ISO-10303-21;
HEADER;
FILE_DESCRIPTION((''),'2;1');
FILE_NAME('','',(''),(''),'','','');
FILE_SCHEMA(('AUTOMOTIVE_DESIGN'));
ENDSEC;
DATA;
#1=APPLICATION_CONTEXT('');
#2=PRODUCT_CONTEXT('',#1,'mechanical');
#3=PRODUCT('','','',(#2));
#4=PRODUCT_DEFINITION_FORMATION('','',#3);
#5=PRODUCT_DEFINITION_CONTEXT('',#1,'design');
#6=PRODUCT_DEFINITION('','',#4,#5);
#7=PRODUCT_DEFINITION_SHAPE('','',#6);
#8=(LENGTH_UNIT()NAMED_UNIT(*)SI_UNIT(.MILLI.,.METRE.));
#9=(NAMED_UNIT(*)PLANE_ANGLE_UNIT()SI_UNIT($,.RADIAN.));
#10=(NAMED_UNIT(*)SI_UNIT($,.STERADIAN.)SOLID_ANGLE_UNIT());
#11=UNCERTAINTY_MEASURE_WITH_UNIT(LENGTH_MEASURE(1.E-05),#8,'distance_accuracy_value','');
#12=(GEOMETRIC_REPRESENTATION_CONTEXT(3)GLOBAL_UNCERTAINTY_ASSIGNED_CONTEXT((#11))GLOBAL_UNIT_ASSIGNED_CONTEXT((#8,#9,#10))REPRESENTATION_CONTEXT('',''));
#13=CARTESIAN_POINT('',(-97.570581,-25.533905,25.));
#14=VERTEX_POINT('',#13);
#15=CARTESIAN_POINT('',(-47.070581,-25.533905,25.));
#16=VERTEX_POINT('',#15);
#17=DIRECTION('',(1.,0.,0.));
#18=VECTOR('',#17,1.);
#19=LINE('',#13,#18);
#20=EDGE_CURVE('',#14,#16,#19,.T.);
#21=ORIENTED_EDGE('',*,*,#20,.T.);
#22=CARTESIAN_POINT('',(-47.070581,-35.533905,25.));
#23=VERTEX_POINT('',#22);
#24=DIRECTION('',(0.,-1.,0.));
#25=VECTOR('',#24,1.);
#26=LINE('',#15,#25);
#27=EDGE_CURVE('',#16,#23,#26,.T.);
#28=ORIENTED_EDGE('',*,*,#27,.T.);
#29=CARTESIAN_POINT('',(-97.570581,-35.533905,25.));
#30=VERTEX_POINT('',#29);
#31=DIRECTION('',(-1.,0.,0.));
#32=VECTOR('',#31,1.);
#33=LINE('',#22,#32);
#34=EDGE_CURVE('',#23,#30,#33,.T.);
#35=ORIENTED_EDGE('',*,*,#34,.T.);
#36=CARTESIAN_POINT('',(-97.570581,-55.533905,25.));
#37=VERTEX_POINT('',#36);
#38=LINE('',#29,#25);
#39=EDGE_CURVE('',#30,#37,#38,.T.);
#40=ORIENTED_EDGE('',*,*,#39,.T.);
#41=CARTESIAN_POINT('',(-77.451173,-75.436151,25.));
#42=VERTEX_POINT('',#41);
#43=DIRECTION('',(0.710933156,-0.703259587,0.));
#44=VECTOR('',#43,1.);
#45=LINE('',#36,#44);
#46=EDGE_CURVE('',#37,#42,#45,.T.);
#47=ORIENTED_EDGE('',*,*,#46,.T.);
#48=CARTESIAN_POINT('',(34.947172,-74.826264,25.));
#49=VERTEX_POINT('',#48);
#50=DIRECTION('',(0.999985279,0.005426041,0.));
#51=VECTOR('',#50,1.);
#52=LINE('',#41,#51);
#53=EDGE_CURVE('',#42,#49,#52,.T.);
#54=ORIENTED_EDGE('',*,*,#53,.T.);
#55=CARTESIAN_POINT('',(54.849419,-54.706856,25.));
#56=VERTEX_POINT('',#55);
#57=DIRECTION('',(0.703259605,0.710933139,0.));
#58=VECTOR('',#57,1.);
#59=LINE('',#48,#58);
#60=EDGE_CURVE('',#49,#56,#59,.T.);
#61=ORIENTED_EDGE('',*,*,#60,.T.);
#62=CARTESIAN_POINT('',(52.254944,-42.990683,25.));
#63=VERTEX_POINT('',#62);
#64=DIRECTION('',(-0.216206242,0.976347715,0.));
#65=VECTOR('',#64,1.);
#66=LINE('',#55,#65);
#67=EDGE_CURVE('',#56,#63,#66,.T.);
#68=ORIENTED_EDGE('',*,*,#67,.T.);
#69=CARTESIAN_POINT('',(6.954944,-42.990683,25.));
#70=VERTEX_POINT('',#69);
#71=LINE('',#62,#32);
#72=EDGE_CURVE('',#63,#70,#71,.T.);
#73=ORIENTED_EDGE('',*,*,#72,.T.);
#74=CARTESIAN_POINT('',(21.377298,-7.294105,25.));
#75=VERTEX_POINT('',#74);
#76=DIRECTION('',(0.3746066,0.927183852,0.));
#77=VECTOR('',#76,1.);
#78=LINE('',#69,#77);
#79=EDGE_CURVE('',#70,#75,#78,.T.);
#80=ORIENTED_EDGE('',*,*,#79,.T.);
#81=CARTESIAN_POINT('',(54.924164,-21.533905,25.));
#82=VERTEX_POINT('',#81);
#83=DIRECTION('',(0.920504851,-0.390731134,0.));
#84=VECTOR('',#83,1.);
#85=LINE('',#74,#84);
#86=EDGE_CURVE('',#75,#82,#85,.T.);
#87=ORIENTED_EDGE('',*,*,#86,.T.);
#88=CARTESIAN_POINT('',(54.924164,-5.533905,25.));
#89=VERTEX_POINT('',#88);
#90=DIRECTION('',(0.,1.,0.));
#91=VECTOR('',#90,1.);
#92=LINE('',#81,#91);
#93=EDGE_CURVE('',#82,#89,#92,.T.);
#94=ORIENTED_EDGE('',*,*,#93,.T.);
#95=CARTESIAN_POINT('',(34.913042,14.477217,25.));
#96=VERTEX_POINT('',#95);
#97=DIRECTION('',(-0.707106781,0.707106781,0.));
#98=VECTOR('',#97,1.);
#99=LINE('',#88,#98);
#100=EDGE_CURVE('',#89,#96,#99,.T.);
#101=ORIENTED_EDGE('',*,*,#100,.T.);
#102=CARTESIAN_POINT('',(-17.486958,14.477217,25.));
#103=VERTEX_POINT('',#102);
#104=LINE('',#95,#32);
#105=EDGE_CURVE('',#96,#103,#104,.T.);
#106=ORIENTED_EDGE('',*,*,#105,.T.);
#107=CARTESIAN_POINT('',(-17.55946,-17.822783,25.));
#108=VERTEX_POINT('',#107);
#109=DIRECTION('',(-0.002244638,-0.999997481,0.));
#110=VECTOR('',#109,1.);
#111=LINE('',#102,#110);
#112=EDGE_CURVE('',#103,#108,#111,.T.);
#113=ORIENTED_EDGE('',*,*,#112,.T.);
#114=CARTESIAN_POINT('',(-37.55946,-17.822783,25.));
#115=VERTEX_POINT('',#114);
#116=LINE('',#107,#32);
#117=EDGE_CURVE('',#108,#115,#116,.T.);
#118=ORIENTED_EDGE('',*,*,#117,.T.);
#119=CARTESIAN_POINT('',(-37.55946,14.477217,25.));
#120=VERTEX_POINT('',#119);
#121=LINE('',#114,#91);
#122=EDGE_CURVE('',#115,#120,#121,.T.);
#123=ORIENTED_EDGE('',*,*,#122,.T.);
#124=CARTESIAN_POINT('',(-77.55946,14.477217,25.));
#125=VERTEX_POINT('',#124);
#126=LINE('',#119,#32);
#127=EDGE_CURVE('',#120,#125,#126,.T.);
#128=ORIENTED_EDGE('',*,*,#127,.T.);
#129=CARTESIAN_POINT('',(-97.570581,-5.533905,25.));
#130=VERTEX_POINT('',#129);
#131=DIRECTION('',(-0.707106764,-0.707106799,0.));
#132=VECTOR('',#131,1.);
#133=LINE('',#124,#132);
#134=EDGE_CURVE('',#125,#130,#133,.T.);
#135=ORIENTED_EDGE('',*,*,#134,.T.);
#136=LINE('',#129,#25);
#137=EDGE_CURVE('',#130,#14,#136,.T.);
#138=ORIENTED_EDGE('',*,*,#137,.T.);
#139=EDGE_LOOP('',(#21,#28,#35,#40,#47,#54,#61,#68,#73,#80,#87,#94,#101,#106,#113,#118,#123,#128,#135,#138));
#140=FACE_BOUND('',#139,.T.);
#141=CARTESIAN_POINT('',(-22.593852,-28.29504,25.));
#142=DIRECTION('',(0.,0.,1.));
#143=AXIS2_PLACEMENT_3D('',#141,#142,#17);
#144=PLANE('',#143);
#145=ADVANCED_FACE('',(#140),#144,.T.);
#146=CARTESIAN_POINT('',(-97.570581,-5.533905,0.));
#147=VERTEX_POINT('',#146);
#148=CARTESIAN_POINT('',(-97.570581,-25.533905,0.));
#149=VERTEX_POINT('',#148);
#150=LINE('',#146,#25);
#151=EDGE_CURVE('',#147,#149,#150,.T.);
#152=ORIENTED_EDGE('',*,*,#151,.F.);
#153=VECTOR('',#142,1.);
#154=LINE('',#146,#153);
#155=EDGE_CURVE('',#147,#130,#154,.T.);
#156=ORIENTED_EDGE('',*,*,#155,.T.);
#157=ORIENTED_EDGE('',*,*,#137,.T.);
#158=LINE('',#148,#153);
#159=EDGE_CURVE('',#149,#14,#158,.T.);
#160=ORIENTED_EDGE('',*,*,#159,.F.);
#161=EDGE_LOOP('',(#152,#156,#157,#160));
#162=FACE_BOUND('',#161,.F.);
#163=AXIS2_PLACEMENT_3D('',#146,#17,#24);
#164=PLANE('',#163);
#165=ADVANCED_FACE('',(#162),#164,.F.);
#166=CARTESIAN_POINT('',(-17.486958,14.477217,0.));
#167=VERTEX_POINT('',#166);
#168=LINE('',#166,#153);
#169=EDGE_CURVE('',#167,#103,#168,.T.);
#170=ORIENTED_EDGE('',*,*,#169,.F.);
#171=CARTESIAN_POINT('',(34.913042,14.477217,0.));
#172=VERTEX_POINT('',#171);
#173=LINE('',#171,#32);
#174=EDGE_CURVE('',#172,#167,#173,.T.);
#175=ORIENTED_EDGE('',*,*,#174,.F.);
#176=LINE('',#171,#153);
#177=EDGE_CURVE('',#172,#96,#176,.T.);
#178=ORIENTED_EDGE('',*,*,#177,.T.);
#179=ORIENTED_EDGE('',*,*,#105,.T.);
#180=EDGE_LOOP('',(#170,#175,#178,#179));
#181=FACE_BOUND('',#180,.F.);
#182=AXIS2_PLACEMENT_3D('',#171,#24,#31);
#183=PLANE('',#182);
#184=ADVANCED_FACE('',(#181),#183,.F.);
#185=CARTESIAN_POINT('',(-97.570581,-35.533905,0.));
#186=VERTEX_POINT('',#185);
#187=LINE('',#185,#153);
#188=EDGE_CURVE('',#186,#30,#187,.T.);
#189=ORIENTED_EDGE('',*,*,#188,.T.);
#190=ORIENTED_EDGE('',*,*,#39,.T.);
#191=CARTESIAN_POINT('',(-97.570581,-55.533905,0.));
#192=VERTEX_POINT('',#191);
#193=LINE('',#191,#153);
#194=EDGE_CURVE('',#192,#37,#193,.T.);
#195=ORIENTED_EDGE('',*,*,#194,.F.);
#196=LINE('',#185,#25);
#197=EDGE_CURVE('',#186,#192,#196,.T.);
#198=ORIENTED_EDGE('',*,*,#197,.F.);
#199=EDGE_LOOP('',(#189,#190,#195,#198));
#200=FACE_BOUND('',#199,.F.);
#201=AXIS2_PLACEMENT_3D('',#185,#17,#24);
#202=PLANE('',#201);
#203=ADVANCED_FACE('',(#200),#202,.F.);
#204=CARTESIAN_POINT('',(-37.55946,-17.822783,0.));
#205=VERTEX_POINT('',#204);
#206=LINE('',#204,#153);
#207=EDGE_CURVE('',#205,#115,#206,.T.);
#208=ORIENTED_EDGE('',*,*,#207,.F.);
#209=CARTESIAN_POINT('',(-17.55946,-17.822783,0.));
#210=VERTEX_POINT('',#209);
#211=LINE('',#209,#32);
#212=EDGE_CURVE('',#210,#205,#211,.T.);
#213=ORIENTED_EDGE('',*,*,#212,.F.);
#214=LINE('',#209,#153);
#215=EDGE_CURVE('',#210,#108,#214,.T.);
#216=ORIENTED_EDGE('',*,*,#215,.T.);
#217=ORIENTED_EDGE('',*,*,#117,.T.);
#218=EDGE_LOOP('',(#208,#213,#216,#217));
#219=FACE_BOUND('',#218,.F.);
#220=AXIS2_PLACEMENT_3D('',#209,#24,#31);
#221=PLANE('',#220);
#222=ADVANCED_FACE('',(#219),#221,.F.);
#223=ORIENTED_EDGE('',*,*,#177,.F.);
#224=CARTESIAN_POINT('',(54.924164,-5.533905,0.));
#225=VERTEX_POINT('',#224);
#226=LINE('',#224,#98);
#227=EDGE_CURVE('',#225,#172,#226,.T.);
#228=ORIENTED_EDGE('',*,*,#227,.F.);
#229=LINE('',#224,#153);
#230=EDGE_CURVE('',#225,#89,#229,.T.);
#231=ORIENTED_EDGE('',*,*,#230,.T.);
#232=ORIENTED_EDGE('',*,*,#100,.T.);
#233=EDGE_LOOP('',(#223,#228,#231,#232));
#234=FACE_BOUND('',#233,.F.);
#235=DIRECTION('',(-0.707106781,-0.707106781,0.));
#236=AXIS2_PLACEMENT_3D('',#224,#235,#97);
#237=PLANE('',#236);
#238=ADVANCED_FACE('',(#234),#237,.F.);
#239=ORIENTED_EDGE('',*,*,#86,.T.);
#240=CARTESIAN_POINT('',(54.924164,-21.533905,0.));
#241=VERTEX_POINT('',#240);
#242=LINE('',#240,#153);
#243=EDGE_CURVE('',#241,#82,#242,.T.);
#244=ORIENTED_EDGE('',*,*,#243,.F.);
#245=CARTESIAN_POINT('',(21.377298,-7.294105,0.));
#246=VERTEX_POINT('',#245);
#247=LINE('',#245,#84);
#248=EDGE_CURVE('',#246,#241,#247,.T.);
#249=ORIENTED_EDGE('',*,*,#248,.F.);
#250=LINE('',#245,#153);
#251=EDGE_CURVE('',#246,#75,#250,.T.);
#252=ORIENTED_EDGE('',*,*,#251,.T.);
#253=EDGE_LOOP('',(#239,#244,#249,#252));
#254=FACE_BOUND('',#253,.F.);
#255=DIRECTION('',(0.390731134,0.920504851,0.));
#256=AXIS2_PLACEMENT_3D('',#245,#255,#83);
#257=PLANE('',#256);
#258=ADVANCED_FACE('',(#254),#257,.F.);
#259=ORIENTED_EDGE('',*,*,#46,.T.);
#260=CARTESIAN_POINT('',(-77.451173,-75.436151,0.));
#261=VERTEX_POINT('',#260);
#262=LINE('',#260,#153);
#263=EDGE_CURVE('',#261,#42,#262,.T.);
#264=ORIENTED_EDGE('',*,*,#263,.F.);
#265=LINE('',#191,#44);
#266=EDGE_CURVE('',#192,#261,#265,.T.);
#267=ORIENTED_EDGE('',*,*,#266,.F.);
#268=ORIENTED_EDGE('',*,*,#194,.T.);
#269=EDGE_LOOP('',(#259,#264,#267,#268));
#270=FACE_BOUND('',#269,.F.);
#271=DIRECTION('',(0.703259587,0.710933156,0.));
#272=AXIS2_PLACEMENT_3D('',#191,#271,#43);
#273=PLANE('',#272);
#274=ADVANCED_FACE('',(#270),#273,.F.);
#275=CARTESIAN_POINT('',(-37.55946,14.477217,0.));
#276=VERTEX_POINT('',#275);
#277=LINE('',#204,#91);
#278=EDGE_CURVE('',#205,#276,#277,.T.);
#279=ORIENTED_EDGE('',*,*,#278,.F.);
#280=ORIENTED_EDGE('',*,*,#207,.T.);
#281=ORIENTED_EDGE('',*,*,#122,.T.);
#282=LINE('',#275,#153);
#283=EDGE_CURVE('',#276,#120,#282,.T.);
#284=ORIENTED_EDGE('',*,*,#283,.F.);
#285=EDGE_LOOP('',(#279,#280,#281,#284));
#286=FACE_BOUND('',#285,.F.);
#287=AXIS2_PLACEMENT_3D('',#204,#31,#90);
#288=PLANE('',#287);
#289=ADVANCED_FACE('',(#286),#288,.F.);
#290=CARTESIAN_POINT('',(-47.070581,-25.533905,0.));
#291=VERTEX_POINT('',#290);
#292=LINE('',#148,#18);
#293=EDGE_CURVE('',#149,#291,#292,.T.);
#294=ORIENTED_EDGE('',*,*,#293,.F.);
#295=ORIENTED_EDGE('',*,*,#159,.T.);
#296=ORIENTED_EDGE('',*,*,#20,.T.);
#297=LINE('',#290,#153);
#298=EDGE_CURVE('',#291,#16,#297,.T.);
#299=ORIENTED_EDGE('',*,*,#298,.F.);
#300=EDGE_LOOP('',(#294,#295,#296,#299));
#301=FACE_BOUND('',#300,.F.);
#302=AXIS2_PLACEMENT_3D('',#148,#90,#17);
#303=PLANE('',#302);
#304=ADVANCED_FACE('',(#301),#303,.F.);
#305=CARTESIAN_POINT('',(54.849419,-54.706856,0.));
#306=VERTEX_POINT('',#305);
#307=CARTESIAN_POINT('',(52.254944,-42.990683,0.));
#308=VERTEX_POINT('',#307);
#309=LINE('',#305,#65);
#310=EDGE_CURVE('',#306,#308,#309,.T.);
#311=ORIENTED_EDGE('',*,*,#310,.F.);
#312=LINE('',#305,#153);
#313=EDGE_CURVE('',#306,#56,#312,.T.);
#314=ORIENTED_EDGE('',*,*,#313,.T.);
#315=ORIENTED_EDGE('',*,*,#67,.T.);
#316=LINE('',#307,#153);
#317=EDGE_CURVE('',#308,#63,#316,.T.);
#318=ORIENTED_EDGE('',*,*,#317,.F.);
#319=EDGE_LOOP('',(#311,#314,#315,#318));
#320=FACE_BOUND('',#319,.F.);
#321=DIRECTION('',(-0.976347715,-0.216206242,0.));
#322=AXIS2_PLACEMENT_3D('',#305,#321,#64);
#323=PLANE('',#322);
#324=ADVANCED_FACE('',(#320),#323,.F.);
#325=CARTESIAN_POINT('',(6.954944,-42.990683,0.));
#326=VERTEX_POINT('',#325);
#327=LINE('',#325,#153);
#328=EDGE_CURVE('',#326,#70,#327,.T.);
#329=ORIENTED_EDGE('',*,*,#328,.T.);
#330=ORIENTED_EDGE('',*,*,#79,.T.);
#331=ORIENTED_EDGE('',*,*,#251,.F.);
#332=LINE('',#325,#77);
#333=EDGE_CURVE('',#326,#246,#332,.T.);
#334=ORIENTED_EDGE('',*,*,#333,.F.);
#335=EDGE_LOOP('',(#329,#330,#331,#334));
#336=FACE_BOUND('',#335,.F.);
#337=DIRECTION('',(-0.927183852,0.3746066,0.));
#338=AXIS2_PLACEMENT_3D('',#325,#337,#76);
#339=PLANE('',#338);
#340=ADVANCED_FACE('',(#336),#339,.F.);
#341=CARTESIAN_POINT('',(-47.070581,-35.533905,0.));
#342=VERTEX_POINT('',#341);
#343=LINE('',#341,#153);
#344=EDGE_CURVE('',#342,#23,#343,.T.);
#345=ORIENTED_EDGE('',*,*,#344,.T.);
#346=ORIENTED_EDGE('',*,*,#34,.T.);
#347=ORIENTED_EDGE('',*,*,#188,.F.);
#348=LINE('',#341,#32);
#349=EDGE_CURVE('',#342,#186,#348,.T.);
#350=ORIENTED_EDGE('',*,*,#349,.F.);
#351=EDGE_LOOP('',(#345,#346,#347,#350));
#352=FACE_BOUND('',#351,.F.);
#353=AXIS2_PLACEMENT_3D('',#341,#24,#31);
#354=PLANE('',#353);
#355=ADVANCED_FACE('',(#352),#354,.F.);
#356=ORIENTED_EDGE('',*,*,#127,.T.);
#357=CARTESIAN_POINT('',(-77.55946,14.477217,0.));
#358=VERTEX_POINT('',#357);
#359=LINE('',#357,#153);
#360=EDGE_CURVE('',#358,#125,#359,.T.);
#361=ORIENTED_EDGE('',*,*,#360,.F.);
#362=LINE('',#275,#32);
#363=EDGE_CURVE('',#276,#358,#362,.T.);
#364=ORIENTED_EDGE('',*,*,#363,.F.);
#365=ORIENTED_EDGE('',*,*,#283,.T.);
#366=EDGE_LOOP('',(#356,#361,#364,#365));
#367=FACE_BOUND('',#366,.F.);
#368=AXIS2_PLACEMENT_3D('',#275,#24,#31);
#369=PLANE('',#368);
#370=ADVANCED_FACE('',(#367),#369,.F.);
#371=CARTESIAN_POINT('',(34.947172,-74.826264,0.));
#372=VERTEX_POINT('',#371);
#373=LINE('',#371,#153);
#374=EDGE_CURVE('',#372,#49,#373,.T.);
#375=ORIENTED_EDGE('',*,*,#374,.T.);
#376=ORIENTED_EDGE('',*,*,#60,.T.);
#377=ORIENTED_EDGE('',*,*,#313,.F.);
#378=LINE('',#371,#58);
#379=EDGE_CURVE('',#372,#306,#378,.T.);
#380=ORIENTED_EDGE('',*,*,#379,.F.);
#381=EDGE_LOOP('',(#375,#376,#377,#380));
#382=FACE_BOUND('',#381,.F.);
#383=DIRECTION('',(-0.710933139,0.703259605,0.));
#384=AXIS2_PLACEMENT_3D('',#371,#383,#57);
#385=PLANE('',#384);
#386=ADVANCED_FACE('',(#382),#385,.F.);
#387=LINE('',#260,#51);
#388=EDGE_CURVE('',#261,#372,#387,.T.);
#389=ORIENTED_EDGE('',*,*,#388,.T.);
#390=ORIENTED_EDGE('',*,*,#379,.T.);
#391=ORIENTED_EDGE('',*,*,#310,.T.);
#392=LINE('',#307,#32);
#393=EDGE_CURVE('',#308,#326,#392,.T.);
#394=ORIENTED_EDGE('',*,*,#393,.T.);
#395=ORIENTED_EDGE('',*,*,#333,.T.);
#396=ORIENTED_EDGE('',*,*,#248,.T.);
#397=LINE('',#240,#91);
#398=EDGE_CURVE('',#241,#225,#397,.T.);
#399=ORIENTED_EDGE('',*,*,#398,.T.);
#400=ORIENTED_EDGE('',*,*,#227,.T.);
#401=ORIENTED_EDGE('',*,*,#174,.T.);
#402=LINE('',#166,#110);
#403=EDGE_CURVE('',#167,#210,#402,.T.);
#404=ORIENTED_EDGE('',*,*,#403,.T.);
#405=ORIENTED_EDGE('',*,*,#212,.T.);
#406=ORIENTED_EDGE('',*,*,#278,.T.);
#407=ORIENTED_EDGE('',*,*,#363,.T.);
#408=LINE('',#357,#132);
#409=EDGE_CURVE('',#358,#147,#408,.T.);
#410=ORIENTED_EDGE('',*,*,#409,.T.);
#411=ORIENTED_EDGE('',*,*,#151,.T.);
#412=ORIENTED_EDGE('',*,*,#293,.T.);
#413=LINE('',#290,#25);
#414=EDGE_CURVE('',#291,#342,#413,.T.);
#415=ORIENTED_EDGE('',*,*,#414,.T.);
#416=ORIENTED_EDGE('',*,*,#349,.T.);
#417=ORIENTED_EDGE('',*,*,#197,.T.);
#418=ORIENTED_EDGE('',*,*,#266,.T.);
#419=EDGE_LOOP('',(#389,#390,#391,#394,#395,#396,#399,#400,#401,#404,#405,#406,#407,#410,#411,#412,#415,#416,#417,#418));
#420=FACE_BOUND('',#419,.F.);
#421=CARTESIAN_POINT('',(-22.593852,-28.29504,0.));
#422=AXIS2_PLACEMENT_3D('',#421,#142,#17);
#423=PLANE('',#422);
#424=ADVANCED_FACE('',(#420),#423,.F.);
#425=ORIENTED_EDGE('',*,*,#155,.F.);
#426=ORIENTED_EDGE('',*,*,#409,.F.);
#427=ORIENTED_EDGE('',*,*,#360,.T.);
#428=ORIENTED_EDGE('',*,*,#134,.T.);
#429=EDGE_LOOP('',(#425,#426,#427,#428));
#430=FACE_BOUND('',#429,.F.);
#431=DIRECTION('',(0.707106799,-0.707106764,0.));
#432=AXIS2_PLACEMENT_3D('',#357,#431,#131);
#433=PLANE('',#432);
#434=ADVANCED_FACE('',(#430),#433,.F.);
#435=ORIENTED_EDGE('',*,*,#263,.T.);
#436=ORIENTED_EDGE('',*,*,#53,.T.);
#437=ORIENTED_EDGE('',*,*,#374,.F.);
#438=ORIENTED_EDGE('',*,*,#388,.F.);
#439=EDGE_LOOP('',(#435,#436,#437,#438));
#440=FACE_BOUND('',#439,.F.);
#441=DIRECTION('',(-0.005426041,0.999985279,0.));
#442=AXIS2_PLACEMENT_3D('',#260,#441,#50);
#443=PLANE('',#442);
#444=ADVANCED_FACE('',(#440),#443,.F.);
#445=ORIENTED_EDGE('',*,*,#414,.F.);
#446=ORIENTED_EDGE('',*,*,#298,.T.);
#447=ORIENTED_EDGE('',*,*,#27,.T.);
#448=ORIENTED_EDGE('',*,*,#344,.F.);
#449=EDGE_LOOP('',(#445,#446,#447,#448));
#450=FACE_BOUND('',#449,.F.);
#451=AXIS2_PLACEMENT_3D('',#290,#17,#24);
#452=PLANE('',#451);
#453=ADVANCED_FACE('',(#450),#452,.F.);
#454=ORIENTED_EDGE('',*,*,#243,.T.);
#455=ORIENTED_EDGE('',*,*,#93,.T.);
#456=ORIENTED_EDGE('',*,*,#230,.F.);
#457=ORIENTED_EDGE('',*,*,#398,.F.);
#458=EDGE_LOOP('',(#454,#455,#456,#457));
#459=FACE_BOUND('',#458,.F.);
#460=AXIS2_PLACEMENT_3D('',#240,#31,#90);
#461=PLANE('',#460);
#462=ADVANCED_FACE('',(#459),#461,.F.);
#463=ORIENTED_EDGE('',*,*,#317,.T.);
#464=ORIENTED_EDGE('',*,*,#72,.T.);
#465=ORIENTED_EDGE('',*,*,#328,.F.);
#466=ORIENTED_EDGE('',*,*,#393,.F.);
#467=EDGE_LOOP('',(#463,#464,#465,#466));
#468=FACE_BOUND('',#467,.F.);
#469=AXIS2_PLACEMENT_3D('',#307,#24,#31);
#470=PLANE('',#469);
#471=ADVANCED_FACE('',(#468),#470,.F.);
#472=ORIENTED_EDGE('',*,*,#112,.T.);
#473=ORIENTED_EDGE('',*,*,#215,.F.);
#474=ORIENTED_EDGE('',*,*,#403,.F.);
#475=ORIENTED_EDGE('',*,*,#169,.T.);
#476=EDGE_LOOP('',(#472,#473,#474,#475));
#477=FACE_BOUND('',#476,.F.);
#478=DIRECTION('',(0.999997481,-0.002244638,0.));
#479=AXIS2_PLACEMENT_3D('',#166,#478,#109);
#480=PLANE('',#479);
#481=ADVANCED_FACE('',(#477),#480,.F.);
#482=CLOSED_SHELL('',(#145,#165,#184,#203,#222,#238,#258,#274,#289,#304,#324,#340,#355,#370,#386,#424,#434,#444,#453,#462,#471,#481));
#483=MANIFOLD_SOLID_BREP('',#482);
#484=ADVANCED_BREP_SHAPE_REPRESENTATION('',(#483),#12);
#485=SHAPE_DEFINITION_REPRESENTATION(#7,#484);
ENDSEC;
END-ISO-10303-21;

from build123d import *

# Parameters (mm, degrees)
F1_DEPTH = 25


with BuildPart() as f1:
    # F0 (on Top) → F1 (new body)
    with BuildSketch(Plane.XY):
        Polygon((-97.570581, -55.533905), (-77.451173, -75.436151), (34.947172, -74.826264), (54.849419, -54.706856), (52.254944, -42.990683), (6.954944, -42.990683), (21.377298, -7.294105), (54.924164, -21.533905), (54.924164, -5.533905), (34.913042, 14.477217), (-17.486958, 14.477217), (-17.55946, -17.822783), (-37.55946, -17.822783), (-37.55946, 14.477217), (-77.55946, 14.477217), (-97.570581, -5.533905), (-97.570581, -25.533905), (-47.070581, -25.533905), (-47.070581, -35.533905), (-97.570581, -35.533905), align=None)
    extrude(amount=F1_DEPTH)


solid = f1.part
